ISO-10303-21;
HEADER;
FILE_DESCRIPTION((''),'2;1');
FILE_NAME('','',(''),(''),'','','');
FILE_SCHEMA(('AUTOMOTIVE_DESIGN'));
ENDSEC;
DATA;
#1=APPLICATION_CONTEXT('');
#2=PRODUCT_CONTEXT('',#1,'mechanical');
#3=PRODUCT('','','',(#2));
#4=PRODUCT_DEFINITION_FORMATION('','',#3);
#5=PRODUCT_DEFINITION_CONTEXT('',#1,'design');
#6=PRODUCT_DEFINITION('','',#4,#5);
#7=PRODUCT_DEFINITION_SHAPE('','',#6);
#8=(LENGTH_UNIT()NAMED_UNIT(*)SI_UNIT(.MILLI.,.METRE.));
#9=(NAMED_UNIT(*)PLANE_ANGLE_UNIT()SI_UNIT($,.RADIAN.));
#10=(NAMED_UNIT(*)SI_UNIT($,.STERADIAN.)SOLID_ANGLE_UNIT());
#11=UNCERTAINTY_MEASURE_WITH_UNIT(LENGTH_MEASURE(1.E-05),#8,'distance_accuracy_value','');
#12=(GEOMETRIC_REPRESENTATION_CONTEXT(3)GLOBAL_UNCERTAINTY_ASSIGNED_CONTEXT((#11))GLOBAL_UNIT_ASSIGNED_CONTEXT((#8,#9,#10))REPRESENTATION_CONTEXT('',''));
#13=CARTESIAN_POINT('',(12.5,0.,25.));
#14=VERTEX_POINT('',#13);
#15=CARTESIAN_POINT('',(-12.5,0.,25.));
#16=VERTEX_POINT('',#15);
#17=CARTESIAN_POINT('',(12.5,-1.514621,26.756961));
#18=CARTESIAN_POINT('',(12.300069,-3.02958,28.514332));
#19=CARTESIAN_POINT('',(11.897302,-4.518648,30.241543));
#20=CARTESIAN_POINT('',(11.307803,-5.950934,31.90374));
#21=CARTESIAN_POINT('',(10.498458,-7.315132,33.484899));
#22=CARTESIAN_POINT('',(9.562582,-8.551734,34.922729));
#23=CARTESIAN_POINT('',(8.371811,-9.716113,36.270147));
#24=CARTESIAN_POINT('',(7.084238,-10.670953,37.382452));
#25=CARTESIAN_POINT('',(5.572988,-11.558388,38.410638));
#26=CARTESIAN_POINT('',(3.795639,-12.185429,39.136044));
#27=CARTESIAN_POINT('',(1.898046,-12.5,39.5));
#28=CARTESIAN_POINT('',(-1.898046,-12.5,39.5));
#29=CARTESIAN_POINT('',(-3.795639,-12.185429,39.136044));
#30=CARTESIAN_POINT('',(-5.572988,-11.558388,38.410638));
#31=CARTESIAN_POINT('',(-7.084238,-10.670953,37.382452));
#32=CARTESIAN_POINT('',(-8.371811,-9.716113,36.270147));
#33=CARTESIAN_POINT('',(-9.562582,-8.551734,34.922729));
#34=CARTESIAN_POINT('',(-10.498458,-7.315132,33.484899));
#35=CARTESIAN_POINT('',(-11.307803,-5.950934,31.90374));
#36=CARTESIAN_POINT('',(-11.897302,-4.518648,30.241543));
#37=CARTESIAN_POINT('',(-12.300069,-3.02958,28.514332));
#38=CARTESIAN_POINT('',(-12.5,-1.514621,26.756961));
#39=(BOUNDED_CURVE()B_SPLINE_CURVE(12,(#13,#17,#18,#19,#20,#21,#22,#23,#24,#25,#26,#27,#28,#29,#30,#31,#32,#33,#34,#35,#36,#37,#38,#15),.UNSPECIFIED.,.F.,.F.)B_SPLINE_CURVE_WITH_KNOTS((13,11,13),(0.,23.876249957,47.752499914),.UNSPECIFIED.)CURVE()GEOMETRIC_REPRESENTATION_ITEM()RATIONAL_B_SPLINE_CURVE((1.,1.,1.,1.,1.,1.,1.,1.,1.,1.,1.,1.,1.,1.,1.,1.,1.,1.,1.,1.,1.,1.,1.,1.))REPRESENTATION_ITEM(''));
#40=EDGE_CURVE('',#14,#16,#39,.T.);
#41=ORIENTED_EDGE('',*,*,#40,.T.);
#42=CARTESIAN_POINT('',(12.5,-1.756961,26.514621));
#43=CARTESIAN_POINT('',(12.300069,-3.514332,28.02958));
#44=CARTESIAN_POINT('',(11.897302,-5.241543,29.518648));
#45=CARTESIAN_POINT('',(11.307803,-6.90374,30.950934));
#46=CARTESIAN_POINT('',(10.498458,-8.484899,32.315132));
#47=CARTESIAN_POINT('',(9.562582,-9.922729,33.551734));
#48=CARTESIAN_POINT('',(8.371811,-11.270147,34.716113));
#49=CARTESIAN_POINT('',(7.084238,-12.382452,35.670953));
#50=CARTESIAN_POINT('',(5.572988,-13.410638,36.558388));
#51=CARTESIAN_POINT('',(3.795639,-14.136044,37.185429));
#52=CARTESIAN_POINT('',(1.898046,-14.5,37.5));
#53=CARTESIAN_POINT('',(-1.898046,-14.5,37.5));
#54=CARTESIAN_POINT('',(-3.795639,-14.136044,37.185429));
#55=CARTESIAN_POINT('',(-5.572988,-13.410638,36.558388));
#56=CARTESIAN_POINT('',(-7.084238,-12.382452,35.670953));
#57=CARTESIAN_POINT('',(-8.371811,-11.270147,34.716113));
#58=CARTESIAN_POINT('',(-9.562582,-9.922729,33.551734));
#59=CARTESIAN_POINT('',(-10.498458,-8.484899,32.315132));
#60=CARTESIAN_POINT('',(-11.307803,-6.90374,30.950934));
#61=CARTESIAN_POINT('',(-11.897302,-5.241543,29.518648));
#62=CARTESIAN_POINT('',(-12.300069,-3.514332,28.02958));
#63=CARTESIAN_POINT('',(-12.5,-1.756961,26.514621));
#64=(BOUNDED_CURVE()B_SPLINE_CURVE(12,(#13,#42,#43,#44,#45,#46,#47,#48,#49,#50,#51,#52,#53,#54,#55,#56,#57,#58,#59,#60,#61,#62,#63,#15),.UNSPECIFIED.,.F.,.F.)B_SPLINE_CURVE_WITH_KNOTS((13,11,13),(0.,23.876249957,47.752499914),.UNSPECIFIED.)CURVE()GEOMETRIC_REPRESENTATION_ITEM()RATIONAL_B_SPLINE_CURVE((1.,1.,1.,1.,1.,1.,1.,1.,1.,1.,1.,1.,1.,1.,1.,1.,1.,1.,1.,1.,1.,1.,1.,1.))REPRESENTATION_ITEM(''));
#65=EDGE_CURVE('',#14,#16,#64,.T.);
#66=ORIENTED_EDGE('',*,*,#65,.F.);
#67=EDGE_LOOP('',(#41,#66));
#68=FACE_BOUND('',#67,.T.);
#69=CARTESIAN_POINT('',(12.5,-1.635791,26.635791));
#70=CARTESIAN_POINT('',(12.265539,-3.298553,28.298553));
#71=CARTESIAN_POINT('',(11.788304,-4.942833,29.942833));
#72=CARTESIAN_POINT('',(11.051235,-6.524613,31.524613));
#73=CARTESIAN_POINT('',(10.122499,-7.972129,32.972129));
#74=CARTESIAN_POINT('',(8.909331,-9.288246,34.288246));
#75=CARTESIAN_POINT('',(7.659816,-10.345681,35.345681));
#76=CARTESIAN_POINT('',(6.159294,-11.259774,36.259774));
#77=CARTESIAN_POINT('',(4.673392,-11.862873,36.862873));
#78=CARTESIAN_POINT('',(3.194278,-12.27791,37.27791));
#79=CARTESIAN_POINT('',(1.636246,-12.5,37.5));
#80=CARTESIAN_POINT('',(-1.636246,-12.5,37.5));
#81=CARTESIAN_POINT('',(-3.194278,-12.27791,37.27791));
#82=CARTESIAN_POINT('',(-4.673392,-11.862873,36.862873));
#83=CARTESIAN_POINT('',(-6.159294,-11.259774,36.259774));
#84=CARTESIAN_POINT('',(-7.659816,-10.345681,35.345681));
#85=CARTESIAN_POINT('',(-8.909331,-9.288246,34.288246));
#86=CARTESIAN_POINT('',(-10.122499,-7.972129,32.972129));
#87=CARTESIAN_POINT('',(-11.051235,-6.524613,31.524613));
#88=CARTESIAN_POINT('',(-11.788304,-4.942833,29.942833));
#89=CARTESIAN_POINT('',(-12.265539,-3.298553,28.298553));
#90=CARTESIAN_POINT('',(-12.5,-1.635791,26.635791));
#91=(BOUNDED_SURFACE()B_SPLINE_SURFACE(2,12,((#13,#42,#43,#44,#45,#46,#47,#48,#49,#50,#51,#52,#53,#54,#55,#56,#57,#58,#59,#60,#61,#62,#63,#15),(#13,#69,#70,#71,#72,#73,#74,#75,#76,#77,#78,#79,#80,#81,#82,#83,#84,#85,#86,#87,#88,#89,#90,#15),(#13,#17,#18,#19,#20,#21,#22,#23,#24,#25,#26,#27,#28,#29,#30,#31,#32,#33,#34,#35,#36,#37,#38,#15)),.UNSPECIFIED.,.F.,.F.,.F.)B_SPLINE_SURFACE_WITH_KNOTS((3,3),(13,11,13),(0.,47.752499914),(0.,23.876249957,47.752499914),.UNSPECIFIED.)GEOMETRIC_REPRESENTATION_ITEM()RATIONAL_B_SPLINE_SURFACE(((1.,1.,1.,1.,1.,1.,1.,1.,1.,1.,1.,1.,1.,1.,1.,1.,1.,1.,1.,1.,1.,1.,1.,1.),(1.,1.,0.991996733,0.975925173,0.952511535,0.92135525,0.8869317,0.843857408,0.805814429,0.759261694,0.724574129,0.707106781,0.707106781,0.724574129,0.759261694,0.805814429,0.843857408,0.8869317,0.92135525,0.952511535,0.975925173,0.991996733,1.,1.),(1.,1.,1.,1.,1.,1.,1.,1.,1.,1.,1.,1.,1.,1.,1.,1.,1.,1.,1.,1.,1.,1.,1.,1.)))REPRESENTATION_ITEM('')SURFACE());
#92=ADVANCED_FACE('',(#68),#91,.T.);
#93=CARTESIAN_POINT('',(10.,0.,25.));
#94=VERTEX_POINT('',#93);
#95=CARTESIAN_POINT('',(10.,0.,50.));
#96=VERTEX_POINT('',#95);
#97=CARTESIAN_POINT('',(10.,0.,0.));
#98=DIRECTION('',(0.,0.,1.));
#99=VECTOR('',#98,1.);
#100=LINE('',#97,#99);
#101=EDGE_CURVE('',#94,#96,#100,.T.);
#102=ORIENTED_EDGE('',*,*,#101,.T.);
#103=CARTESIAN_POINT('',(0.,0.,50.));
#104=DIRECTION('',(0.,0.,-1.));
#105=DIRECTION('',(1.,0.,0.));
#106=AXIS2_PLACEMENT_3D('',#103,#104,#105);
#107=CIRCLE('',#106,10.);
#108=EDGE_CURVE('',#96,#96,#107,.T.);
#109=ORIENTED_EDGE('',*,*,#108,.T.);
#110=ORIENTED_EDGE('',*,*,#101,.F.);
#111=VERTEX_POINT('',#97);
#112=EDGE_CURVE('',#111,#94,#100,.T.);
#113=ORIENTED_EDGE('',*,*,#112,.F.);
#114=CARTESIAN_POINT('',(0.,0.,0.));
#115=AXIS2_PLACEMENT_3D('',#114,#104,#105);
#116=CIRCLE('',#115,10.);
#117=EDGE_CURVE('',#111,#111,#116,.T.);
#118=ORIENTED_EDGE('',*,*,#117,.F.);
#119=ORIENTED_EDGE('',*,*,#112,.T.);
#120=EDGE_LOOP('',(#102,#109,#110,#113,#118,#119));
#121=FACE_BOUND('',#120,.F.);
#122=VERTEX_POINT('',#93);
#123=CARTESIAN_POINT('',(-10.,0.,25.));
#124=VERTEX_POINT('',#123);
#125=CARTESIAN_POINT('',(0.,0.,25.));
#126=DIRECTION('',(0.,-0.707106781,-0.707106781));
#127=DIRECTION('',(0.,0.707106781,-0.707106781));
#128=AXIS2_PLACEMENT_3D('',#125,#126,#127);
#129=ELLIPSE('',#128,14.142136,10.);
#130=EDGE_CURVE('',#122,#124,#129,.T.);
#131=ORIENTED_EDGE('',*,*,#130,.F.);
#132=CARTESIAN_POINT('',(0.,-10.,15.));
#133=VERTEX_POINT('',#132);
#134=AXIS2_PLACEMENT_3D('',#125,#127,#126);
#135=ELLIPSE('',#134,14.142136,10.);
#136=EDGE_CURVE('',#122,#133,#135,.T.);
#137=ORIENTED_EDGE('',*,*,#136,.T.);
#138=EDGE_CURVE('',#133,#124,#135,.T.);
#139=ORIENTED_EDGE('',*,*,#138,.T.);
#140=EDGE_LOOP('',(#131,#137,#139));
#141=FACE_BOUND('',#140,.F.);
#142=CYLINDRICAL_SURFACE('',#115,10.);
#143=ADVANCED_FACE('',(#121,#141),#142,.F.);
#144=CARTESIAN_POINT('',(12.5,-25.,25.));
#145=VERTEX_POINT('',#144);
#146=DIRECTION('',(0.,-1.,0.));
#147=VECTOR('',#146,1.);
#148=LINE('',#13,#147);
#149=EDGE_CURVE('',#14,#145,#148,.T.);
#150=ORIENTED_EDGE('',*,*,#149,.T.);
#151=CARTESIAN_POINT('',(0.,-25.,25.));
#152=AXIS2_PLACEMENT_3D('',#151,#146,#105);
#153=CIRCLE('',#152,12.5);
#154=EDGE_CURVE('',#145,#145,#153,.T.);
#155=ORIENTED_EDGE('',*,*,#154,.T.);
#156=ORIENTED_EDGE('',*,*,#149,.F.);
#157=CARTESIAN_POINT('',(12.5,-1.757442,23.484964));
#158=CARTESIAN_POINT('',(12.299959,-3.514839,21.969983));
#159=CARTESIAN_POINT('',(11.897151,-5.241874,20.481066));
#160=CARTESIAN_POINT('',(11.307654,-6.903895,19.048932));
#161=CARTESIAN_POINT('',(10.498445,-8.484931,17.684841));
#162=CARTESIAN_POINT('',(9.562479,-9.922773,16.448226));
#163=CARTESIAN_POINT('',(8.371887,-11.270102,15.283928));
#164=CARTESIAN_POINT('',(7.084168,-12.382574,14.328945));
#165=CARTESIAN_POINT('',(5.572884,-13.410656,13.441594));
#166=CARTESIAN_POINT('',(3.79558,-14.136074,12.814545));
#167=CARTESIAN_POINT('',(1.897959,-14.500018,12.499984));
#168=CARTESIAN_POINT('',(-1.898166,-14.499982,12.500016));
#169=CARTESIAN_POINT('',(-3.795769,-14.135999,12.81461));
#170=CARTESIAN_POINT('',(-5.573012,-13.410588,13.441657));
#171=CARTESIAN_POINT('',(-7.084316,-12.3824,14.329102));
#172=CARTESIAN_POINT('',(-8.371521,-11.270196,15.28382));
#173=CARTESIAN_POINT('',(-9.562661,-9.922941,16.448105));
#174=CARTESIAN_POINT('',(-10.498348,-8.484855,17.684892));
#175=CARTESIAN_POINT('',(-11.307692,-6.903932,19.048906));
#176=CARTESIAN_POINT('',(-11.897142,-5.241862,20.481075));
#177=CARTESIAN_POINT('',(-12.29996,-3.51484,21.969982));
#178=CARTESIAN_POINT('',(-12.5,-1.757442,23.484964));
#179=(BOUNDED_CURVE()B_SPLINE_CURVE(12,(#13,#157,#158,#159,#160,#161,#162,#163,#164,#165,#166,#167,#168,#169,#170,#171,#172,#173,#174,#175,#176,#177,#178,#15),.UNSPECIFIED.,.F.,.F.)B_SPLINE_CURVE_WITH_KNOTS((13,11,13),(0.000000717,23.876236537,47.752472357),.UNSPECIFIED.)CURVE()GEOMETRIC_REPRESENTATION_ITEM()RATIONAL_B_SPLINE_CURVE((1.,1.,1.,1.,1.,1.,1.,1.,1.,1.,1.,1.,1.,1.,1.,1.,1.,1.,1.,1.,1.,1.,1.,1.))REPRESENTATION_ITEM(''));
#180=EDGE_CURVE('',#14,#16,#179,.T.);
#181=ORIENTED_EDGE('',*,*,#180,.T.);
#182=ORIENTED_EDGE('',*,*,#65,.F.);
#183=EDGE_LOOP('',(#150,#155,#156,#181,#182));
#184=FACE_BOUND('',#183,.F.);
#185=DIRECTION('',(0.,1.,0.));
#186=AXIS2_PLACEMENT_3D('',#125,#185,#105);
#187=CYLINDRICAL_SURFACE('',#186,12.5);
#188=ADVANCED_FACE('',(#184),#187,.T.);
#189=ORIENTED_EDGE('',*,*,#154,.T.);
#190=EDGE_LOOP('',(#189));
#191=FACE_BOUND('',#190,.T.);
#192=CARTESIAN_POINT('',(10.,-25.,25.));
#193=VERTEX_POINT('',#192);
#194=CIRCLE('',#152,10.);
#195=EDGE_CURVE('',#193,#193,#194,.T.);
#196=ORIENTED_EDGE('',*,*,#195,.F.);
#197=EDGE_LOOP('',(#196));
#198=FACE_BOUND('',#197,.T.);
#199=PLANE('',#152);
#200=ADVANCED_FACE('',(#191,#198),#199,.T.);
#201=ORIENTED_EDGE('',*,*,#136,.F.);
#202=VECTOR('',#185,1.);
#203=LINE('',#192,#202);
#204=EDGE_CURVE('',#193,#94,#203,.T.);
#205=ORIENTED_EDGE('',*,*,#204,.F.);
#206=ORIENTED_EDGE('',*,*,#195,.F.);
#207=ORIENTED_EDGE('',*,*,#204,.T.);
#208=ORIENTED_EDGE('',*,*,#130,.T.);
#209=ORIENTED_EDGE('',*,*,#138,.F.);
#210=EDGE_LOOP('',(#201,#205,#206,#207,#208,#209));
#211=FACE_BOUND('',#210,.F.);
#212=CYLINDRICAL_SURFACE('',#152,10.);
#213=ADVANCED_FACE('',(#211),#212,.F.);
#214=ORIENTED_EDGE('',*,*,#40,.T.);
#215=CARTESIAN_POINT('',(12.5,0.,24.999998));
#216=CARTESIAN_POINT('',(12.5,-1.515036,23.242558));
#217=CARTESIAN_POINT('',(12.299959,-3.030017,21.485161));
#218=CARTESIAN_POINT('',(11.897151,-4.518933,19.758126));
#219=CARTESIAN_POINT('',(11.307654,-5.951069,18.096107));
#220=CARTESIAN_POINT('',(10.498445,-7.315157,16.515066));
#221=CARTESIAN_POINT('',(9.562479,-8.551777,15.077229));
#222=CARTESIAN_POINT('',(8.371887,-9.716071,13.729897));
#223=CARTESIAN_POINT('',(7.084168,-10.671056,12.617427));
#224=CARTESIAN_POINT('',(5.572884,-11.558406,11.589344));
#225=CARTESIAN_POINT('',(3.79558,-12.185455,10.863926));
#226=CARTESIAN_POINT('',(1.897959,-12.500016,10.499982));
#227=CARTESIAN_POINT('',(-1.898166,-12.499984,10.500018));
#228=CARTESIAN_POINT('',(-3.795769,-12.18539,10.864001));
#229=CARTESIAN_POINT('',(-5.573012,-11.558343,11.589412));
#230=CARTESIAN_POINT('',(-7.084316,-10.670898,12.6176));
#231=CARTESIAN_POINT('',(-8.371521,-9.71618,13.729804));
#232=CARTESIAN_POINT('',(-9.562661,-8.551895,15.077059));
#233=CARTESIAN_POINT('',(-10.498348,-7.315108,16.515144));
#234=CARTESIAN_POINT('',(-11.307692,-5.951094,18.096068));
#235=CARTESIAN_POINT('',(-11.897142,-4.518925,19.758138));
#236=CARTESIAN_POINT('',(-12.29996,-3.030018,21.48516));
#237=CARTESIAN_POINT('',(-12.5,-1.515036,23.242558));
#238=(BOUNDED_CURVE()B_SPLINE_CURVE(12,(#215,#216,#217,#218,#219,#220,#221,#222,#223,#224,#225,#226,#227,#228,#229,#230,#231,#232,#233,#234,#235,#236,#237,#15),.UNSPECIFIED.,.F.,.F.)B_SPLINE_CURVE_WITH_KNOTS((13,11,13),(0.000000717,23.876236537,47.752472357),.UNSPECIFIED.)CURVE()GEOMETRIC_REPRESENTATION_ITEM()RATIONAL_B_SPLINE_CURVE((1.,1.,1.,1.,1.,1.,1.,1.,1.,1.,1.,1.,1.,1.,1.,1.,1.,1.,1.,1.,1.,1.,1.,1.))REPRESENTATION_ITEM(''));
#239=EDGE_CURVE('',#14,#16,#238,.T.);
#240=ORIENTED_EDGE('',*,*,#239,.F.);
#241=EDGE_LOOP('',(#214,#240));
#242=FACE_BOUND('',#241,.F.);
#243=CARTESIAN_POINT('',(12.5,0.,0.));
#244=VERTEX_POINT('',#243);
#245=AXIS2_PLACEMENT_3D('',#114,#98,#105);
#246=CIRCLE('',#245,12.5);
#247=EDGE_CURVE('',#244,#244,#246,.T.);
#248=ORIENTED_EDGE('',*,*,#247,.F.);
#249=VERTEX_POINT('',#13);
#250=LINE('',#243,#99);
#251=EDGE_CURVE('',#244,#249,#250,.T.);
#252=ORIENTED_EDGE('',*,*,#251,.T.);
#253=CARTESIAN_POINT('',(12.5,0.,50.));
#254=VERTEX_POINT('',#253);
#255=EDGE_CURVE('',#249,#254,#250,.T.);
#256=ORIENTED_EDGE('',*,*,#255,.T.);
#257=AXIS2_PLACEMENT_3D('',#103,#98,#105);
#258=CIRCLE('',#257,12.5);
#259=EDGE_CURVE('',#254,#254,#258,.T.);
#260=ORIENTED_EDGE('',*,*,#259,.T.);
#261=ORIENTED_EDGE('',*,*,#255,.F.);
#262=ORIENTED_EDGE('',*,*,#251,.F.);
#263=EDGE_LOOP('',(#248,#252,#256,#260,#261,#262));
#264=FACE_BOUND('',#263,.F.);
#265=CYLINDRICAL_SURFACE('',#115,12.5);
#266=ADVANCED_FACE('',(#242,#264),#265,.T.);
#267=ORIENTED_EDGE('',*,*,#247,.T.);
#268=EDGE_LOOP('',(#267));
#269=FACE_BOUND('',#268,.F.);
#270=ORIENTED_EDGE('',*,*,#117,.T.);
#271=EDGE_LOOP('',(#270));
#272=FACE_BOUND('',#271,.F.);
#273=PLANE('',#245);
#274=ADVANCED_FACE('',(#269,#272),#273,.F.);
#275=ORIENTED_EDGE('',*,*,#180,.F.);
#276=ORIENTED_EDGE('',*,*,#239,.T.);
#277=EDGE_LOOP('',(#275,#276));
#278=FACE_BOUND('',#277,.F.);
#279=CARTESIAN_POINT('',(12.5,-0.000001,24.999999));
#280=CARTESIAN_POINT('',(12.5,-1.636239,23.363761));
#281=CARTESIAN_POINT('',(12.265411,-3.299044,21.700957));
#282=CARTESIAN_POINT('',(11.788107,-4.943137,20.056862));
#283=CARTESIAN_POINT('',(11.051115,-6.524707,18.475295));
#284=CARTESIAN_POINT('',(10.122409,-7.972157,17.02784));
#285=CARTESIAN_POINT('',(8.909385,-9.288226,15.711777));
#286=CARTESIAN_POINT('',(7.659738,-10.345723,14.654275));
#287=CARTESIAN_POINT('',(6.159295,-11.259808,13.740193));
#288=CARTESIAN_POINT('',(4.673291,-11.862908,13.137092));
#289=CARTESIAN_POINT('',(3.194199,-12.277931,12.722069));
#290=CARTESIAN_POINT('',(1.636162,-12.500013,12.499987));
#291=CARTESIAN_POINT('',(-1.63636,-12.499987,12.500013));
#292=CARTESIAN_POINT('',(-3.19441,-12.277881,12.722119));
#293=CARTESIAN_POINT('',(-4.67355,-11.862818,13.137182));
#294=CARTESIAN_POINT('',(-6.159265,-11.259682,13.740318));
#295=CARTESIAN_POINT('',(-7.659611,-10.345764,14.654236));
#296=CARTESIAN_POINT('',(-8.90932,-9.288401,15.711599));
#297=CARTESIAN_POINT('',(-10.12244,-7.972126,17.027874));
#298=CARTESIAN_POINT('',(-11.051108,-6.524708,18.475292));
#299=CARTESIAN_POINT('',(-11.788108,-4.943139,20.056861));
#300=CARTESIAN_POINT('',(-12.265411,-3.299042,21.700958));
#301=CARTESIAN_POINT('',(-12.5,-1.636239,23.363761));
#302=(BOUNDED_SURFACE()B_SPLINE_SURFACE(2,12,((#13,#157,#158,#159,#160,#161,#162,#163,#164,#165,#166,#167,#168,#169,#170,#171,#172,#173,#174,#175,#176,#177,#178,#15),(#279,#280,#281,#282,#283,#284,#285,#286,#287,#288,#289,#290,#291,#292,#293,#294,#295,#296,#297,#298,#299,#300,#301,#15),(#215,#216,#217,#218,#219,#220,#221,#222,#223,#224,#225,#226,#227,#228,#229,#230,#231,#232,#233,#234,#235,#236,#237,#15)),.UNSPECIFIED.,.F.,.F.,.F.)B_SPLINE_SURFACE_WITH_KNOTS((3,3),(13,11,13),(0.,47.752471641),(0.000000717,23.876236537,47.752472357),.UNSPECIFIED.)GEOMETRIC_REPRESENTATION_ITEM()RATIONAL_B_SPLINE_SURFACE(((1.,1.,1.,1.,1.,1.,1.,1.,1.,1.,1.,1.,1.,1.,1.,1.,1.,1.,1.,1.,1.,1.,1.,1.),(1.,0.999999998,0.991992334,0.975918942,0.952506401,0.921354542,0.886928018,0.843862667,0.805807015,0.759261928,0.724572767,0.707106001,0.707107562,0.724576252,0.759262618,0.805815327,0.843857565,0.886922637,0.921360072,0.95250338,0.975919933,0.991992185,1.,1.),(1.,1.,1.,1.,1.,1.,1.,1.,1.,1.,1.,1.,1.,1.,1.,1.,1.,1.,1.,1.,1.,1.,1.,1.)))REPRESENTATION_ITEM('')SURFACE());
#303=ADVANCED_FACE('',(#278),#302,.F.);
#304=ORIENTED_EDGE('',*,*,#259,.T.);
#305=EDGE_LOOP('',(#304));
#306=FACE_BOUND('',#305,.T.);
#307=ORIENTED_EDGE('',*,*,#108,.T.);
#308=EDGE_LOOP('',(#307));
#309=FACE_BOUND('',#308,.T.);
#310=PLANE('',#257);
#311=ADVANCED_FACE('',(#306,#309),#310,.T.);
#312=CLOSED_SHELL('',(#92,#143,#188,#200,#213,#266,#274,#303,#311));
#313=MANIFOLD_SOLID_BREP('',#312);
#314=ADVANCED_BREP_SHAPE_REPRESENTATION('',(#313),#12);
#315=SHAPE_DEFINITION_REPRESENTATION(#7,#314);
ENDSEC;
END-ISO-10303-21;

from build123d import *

# Parameters (mm, degrees)
F0_R     = 12.5
F1_DEPTH = 50
F2_R     = 12.5
F3_DEPTH = 25
F4_R     = 10
F5_DEPTH = 50.001
F6_R     = 10
F7_DEPTH = 25
F8_R     = 2


with BuildPart() as f1:
    # F0 (on Top) → F1 (new body)
    with BuildSketch(Plane.XY):
        Circle(F0_R)
    extrude(amount=F1_DEPTH)

    # F2 (on Front) → F3 (join)
    with BuildSketch(Plane.XZ):
        with Locations((0, 25)):
            Circle(F2_R)
    extrude(amount=F3_DEPTH)

    # F4 (on face) → F5 (cut, through all)
    with BuildSketch(Plane(origin=(0, 0, 0), x_dir=(1, 0, 0), z_dir=(0, 0, -1))):
        Circle(F4_R)
    extrude(amount=-F5_DEPTH, mode=Mode.SUBTRACT)

    # F6 (on face) → F7 (cut)
    with BuildSketch(Plane.XZ.offset(25)):
        with Locations((0, 25)):
            Circle(F6_R)
    extrude(amount=-F7_DEPTH, mode=Mode.SUBTRACT)

    # F8
    f8_edges = [f1.edges().sort_by_distance(p)[0] for p in [
        (9.5412, -8.075611, 16.924389),
        (-9.5412, -8.075611, 16.924389),
        (-1.4e-05, -12.5, 37.5),
    ]]
    fillet(f8_edges, radius=F8_R)


solid = f1.part
